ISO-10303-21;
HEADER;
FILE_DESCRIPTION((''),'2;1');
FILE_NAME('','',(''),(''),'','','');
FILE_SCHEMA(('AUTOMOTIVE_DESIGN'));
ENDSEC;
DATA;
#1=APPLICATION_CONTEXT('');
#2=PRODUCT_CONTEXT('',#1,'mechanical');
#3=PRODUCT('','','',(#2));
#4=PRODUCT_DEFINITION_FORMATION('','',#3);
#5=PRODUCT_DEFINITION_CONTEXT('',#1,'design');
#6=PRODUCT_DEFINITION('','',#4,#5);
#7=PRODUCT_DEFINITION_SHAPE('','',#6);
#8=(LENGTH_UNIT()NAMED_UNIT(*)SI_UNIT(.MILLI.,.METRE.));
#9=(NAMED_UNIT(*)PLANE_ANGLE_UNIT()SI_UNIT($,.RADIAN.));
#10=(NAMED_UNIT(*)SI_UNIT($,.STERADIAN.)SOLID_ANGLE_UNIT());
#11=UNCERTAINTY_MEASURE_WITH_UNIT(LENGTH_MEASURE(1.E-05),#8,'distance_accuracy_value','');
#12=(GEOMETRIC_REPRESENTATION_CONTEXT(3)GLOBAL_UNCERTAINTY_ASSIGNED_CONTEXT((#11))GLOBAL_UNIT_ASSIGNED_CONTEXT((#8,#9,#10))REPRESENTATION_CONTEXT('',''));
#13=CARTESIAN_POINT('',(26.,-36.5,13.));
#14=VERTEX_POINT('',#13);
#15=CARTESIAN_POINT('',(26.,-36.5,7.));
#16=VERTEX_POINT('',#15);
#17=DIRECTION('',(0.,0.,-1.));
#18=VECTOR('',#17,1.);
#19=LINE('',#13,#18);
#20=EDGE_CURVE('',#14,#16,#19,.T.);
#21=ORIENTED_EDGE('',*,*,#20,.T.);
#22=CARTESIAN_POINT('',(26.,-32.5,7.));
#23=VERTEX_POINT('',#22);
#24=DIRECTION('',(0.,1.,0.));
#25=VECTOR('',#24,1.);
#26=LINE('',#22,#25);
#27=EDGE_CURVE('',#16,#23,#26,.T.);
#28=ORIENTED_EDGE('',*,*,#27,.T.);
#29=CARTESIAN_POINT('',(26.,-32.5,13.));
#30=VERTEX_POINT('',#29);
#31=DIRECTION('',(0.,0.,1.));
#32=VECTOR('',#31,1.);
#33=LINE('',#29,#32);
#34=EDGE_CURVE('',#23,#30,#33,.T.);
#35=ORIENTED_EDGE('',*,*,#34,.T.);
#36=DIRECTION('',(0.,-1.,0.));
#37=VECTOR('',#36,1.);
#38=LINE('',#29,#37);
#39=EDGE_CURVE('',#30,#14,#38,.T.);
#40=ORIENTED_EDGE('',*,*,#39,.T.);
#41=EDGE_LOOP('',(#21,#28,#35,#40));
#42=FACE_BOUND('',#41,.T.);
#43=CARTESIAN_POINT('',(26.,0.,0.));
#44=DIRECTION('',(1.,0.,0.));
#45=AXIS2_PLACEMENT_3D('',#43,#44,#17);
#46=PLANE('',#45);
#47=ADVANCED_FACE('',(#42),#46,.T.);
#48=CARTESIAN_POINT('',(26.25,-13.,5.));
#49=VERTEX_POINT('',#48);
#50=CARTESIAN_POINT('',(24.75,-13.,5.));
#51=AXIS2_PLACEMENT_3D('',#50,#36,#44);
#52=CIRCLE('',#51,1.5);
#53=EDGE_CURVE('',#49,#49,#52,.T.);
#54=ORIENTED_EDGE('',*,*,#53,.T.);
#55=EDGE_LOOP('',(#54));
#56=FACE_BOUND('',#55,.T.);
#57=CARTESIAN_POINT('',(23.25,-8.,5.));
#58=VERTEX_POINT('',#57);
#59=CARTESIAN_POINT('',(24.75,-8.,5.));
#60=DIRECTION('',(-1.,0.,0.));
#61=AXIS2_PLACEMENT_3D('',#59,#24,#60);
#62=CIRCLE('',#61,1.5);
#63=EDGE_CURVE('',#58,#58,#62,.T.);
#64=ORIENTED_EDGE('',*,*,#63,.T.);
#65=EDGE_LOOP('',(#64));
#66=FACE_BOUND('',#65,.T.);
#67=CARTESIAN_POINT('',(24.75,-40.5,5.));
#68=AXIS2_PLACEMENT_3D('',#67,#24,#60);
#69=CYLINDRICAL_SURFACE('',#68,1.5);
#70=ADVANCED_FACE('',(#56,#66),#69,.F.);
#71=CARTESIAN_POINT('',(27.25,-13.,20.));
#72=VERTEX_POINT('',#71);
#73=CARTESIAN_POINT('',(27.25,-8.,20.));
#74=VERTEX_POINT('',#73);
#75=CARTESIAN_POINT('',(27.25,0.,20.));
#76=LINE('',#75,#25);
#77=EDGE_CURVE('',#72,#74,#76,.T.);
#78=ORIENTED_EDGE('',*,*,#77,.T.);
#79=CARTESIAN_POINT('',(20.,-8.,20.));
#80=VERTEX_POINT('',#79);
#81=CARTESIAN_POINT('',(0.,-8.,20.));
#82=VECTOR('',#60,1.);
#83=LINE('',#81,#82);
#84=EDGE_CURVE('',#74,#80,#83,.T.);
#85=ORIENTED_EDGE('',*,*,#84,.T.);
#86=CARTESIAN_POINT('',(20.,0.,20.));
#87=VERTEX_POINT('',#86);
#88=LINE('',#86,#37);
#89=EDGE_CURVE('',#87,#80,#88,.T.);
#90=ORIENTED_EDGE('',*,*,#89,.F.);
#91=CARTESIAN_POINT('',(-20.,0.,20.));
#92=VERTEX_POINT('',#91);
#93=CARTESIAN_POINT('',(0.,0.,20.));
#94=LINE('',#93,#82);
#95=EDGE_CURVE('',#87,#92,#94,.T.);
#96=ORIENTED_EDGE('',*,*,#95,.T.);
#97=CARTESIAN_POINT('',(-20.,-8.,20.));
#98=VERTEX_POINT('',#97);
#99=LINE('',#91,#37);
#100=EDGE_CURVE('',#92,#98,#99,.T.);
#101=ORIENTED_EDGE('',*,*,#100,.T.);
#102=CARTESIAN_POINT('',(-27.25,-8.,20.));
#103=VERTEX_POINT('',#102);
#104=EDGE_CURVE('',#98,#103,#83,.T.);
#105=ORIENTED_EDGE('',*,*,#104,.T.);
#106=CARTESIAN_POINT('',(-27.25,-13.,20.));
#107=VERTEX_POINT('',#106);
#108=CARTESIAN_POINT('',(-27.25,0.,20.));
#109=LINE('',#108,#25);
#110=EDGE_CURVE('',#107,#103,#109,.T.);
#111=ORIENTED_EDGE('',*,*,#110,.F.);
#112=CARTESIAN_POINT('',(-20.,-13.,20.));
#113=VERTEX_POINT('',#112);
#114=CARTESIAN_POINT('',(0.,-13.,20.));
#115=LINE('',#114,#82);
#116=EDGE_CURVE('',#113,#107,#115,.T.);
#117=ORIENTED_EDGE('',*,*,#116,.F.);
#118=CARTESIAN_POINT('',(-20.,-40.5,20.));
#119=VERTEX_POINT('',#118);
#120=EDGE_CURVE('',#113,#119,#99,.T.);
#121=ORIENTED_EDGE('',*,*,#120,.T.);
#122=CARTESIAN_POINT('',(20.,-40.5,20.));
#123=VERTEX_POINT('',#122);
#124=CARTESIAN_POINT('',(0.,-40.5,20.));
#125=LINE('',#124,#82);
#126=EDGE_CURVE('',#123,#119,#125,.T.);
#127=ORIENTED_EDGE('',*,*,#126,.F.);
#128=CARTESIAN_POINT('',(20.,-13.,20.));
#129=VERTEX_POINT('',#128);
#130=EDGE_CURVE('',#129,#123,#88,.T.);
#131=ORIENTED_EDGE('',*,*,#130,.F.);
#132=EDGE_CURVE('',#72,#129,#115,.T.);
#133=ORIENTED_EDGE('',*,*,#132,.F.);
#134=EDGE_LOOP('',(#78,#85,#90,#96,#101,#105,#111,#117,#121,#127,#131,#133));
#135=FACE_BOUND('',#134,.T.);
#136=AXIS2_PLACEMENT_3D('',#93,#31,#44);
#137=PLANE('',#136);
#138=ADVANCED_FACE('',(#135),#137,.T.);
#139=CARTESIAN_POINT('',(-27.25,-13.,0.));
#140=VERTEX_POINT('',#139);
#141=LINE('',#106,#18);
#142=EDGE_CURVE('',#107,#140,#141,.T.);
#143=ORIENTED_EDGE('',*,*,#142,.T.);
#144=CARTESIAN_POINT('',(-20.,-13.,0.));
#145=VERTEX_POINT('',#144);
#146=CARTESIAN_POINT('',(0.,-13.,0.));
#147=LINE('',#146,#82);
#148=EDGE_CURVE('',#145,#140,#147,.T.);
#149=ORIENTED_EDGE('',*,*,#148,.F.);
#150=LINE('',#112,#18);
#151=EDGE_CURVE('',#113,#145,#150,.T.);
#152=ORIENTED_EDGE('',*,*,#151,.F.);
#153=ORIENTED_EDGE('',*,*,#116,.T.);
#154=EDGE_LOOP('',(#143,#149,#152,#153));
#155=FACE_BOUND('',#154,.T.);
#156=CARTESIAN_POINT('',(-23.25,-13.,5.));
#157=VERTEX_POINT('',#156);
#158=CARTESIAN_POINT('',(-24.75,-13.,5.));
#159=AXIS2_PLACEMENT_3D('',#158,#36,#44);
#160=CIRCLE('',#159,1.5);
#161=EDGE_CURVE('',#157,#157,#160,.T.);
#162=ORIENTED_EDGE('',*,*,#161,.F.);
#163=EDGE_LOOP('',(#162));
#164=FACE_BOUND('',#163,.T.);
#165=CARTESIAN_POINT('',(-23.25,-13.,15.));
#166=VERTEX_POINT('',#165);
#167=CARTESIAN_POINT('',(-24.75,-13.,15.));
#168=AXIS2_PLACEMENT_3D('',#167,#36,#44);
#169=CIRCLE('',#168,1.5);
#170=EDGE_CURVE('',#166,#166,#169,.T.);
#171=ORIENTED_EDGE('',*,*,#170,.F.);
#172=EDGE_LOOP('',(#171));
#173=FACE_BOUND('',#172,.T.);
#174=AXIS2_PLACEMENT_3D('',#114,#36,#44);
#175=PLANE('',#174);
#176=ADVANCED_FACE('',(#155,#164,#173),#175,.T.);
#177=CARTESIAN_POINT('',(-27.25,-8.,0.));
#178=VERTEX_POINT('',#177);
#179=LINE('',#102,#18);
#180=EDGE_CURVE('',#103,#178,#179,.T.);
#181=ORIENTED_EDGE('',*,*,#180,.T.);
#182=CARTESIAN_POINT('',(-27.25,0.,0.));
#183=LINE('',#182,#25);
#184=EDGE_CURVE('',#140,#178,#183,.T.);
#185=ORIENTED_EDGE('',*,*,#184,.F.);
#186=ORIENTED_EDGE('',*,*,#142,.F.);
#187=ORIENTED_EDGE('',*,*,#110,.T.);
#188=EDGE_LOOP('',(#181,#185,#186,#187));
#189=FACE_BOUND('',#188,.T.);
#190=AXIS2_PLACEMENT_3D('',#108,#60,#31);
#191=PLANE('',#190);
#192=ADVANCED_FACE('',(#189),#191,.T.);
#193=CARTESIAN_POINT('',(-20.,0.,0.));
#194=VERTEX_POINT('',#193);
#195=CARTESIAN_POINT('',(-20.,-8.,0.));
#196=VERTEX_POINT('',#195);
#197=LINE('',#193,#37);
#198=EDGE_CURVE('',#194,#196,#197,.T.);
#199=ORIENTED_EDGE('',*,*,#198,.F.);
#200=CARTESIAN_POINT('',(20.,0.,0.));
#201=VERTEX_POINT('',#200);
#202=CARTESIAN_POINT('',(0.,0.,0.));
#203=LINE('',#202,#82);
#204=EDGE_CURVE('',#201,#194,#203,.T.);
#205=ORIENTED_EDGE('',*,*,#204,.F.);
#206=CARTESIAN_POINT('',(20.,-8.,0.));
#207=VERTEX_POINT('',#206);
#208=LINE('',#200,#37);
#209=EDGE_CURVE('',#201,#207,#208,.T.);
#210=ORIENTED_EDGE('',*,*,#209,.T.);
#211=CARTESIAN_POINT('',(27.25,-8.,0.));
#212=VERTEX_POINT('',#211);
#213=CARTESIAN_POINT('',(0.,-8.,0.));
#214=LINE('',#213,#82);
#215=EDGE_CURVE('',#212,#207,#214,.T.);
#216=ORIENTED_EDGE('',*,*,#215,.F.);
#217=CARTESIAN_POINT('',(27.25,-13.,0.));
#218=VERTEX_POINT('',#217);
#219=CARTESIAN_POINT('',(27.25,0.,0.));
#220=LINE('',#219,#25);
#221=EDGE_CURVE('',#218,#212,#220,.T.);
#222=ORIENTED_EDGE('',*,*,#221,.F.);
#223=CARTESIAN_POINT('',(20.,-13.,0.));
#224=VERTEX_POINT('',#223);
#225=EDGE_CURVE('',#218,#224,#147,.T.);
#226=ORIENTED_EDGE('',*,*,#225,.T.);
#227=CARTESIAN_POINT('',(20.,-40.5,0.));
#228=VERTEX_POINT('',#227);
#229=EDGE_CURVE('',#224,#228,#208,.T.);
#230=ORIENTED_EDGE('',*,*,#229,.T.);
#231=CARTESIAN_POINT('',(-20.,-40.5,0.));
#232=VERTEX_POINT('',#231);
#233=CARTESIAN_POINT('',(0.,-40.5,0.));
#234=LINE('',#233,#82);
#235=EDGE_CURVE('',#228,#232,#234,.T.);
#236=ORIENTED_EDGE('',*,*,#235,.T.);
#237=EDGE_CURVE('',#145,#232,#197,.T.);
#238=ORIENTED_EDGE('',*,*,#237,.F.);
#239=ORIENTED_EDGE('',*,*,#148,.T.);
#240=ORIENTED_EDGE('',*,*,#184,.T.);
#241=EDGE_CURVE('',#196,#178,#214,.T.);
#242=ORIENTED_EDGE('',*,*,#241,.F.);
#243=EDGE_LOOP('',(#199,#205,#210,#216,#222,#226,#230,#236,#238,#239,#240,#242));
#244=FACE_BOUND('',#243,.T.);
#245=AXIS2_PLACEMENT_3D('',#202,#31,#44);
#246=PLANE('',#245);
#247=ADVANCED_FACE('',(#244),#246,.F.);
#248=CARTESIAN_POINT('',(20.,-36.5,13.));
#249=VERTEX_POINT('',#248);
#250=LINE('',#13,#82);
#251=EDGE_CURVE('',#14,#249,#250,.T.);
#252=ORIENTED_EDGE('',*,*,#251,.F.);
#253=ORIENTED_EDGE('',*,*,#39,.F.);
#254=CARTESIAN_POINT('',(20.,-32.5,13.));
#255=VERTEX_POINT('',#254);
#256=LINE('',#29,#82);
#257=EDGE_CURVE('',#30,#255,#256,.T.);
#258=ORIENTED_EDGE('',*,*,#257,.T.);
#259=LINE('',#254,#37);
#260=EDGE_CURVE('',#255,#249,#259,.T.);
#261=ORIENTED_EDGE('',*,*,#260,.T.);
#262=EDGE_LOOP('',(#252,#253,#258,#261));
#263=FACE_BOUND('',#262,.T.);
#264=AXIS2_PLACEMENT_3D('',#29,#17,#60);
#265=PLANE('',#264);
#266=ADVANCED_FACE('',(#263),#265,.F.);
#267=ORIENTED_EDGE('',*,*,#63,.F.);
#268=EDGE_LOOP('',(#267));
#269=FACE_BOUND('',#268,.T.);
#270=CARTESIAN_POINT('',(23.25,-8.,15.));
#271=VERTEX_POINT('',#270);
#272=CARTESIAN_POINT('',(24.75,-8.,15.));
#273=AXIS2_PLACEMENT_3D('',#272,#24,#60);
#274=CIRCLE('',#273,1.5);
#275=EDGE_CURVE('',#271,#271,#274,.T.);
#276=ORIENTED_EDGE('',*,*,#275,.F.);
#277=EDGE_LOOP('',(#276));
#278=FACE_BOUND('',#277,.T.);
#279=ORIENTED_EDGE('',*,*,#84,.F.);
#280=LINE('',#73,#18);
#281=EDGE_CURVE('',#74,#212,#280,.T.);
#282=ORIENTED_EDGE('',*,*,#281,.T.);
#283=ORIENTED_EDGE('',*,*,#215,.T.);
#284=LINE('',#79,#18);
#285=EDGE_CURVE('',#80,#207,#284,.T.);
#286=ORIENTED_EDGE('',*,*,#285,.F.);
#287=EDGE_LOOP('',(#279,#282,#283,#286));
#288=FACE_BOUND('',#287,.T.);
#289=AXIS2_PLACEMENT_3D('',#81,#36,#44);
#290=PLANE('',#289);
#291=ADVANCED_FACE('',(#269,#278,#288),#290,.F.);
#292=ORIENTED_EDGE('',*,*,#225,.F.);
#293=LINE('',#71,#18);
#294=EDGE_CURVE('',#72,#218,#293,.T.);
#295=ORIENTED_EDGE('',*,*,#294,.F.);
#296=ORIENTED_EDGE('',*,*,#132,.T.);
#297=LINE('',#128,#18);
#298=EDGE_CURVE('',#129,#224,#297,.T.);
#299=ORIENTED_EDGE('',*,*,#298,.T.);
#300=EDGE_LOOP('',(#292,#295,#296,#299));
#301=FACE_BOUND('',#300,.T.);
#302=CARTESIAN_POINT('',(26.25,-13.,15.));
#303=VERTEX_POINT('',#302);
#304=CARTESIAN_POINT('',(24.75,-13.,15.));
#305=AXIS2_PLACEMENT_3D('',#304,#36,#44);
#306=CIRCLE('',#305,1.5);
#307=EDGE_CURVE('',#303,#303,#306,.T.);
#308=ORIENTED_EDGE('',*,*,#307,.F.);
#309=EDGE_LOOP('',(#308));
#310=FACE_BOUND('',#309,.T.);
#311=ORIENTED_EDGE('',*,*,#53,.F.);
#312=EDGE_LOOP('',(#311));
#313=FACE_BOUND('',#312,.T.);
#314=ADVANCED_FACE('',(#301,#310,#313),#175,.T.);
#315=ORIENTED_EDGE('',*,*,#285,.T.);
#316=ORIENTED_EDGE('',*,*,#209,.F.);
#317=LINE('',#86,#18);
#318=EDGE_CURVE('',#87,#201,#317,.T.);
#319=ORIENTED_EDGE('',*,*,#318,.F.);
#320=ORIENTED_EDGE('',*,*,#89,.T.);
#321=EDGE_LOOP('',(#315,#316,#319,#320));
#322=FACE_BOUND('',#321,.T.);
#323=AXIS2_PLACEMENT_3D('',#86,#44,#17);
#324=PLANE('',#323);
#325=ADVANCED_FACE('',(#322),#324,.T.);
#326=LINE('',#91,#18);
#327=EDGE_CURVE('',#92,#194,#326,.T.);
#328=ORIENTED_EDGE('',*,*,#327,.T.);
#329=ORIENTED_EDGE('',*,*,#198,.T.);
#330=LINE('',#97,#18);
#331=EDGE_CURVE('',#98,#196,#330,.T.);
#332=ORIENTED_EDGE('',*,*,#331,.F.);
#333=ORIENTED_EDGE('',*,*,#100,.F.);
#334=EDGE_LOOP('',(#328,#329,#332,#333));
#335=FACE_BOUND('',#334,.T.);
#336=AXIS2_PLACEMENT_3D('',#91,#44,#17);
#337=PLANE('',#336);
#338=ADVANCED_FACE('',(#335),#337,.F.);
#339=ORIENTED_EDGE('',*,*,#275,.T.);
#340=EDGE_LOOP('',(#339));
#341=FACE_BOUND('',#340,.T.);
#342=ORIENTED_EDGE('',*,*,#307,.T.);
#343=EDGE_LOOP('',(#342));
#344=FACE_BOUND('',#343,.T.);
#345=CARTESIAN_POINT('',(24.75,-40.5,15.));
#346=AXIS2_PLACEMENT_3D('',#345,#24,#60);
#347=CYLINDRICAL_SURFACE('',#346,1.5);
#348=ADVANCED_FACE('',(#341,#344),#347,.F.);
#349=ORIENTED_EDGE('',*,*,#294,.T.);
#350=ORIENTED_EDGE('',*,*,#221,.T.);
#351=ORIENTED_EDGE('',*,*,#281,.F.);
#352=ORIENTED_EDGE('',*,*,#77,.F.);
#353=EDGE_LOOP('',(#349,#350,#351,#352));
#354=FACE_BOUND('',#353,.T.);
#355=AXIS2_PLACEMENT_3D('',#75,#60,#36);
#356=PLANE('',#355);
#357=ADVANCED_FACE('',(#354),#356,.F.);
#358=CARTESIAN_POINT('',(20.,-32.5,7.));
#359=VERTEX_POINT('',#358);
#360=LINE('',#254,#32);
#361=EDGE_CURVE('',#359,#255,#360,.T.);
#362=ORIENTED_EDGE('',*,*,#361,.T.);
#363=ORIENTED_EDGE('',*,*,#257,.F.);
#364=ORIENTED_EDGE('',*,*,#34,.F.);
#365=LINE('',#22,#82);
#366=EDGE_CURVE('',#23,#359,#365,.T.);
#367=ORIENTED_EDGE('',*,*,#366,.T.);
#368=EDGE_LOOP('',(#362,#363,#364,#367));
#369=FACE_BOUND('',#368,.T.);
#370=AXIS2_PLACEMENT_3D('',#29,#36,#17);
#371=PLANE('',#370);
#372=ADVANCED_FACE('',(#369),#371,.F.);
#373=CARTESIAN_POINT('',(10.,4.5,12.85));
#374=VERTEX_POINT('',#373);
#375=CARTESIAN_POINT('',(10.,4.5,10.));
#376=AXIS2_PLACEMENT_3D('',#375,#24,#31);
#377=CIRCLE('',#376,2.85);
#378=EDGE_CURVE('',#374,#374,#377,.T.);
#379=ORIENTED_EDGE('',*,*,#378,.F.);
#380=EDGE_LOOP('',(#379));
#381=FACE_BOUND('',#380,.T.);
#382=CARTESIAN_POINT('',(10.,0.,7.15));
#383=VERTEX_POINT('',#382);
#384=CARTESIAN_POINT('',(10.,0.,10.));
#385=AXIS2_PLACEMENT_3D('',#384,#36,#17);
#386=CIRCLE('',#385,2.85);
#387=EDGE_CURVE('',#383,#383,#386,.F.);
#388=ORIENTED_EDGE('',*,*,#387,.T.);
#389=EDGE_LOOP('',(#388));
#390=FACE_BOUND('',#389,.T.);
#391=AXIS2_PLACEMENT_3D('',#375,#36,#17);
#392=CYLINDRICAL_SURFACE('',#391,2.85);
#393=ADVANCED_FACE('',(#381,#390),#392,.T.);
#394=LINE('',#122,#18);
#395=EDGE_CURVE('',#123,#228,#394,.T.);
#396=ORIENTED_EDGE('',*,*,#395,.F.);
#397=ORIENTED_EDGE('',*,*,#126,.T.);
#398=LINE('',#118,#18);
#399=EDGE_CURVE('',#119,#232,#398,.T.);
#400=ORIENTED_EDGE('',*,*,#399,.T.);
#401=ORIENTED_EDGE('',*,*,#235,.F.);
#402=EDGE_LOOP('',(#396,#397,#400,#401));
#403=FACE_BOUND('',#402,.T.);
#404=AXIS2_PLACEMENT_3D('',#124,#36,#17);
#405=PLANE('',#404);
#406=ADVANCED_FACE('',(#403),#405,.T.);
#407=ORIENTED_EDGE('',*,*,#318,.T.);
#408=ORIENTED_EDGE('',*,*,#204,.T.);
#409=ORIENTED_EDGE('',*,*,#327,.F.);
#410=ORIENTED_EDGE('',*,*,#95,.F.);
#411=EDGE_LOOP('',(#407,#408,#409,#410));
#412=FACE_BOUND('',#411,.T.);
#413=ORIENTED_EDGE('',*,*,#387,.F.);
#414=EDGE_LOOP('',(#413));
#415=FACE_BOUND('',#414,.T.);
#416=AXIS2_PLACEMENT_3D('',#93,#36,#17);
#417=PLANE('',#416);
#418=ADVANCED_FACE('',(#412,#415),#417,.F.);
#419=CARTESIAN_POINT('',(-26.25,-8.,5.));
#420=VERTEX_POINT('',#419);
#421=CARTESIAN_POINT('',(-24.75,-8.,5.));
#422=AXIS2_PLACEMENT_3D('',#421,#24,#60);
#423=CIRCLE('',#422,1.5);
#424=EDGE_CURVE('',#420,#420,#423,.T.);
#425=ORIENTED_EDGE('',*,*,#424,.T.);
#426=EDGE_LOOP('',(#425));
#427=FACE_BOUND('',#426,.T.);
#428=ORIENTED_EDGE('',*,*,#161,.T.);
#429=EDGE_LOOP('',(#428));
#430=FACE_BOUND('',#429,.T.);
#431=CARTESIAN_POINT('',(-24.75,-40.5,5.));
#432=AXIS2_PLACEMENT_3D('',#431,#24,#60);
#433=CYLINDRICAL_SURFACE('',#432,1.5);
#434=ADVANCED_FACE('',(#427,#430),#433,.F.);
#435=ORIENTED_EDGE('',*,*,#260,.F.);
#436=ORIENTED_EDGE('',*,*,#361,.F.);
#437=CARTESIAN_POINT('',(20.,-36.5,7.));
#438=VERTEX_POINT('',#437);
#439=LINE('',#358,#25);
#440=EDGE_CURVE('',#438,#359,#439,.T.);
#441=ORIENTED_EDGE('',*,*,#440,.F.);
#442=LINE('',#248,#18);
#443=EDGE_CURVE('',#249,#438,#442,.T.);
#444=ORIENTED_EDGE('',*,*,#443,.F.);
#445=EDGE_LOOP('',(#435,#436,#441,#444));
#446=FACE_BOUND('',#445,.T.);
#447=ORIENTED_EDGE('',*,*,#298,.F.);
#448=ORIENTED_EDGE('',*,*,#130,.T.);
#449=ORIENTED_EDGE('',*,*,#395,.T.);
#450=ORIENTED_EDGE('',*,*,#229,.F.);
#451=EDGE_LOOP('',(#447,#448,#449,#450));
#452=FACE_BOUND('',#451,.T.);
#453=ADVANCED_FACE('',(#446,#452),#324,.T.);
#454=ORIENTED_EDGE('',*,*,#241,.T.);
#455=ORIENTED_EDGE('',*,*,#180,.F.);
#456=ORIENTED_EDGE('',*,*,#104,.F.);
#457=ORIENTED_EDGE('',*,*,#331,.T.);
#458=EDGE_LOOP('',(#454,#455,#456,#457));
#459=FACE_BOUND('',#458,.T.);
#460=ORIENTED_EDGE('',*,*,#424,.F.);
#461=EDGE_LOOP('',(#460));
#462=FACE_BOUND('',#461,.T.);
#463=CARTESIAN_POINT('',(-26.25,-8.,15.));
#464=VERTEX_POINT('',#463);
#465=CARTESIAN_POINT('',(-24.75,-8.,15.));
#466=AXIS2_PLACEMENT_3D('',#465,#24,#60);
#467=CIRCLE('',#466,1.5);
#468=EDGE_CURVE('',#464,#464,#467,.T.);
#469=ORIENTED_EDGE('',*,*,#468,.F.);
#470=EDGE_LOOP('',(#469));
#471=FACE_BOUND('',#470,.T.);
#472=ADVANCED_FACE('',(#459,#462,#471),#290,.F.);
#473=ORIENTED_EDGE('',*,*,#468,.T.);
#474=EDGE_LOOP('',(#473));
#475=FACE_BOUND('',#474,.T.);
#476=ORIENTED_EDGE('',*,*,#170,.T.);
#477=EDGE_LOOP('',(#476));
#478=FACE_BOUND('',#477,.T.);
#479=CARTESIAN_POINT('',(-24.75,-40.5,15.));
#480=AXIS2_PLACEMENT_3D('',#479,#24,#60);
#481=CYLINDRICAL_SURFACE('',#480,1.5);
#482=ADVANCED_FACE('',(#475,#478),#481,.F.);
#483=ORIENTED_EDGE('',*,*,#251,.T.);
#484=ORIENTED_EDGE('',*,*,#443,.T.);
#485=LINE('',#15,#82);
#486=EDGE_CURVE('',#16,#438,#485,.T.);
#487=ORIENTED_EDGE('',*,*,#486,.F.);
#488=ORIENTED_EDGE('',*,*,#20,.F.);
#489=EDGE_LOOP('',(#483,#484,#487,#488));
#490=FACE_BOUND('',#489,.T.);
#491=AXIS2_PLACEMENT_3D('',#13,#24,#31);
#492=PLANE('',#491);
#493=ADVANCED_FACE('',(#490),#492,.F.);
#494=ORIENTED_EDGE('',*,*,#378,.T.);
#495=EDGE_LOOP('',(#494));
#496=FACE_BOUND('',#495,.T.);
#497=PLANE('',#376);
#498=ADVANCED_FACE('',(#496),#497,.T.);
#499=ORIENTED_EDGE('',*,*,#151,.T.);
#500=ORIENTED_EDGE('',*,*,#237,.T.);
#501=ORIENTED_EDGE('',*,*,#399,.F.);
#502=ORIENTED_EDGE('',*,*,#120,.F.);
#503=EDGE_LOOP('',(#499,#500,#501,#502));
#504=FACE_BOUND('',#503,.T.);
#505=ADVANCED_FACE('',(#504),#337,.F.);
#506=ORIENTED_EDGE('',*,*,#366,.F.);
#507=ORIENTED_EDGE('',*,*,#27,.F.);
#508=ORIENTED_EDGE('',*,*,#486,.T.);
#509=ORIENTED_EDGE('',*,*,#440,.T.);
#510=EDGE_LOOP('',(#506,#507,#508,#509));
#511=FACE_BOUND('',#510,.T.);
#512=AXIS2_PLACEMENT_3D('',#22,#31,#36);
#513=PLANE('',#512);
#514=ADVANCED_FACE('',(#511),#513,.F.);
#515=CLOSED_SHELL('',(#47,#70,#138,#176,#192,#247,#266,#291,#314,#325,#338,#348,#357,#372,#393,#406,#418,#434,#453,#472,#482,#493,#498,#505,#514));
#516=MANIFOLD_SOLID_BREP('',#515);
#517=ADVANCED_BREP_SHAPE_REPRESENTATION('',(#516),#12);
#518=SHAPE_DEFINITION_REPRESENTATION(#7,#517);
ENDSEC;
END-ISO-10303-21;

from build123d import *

# Parameters (mm, degrees)
SKETCH1_W           = 40
SKETCH1_H           = 8
SKETCH1_W_2         = 7.25
SKETCH1_H_2         = 5
SKETCH1_H_3         = 27.5
BOSS_EXTRUDE1_DEPTH = 20
SKETCH2_R           = 2.85
BOSS_EXTRUDE2_DEPTH = 4.5
SKETCH3_R           = 1.5
CUT_EXTRUDE1_DEPTH  = 47.891497097
SKETCH4_W           = 6
SKETCH4_H           = 4
BOSS_EXTRUDE3_DEPTH = 6


with BuildPart() as part:
    # Sketch1 → Boss-Extrude1 (new body)
    with BuildSketch(Plane.XY):
        with Locations((0, -4)):
            Rectangle(SKETCH1_W, SKETCH1_H)
        with Locations((-23.625, -10.5)):
            Rectangle(SKETCH1_W_2, SKETCH1_H_2)
        with Locations((0, -10.5)):
            Rectangle(SKETCH1_W, SKETCH1_H_2)
        with Locations((23.625, -10.5)):
            Rectangle(SKETCH1_W_2, SKETCH1_H_2)
        with Locations((0, -26.75)):
            Rectangle(SKETCH1_W, SKETCH1_H_3)
    extrude(amount=BOSS_EXTRUDE1_DEPTH)

    # Sketch2 → Boss-Extrude2 (add)
    with BuildSketch(Plane(origin=(0, 0, 0), x_dir=(1, 0, 0), z_dir=(0, 1, 0))):
        with Locations(Location((10, -10, 0), (0, 0, 90))):
            Circle(SKETCH2_R)
    extrude(amount=BOSS_EXTRUDE2_DEPTH)

    # Sketch3 → Cut-Extrude1 (cut, through all)
    with BuildSketch(Plane(origin=(0, -8, 0), x_dir=(1, 0, 0), z_dir=(0, 1, 0))):
        with Locations(Location((-24.75, -5, 0), (0, 0, 180))):
            Circle(SKETCH3_R)
        with Locations(Location((-24.75, -15, 0), (0, 0, 180))):
            Circle(SKETCH3_R)
        with Locations(Location((24.75, -15, 0), (0, 0, 180))):
            Circle(SKETCH3_R)
        with Locations(Location((24.75, -5, 0), (0, 0, 180))):
            Circle(SKETCH3_R)
    extrude(amount=-CUT_EXTRUDE1_DEPTH, mode=Mode.SUBTRACT)

    # Sketch4 → Boss-Extrude3 (add)
    with BuildSketch(Plane(origin=(20, 0, 0), x_dir=(0, 0, -1), z_dir=(1, 0, 0))):
        with Locations((-10, -34.5)):
            Rectangle(SKETCH4_W, SKETCH4_H)
    extrude(amount=BOSS_EXTRUDE3_DEPTH)


solid = part.part
